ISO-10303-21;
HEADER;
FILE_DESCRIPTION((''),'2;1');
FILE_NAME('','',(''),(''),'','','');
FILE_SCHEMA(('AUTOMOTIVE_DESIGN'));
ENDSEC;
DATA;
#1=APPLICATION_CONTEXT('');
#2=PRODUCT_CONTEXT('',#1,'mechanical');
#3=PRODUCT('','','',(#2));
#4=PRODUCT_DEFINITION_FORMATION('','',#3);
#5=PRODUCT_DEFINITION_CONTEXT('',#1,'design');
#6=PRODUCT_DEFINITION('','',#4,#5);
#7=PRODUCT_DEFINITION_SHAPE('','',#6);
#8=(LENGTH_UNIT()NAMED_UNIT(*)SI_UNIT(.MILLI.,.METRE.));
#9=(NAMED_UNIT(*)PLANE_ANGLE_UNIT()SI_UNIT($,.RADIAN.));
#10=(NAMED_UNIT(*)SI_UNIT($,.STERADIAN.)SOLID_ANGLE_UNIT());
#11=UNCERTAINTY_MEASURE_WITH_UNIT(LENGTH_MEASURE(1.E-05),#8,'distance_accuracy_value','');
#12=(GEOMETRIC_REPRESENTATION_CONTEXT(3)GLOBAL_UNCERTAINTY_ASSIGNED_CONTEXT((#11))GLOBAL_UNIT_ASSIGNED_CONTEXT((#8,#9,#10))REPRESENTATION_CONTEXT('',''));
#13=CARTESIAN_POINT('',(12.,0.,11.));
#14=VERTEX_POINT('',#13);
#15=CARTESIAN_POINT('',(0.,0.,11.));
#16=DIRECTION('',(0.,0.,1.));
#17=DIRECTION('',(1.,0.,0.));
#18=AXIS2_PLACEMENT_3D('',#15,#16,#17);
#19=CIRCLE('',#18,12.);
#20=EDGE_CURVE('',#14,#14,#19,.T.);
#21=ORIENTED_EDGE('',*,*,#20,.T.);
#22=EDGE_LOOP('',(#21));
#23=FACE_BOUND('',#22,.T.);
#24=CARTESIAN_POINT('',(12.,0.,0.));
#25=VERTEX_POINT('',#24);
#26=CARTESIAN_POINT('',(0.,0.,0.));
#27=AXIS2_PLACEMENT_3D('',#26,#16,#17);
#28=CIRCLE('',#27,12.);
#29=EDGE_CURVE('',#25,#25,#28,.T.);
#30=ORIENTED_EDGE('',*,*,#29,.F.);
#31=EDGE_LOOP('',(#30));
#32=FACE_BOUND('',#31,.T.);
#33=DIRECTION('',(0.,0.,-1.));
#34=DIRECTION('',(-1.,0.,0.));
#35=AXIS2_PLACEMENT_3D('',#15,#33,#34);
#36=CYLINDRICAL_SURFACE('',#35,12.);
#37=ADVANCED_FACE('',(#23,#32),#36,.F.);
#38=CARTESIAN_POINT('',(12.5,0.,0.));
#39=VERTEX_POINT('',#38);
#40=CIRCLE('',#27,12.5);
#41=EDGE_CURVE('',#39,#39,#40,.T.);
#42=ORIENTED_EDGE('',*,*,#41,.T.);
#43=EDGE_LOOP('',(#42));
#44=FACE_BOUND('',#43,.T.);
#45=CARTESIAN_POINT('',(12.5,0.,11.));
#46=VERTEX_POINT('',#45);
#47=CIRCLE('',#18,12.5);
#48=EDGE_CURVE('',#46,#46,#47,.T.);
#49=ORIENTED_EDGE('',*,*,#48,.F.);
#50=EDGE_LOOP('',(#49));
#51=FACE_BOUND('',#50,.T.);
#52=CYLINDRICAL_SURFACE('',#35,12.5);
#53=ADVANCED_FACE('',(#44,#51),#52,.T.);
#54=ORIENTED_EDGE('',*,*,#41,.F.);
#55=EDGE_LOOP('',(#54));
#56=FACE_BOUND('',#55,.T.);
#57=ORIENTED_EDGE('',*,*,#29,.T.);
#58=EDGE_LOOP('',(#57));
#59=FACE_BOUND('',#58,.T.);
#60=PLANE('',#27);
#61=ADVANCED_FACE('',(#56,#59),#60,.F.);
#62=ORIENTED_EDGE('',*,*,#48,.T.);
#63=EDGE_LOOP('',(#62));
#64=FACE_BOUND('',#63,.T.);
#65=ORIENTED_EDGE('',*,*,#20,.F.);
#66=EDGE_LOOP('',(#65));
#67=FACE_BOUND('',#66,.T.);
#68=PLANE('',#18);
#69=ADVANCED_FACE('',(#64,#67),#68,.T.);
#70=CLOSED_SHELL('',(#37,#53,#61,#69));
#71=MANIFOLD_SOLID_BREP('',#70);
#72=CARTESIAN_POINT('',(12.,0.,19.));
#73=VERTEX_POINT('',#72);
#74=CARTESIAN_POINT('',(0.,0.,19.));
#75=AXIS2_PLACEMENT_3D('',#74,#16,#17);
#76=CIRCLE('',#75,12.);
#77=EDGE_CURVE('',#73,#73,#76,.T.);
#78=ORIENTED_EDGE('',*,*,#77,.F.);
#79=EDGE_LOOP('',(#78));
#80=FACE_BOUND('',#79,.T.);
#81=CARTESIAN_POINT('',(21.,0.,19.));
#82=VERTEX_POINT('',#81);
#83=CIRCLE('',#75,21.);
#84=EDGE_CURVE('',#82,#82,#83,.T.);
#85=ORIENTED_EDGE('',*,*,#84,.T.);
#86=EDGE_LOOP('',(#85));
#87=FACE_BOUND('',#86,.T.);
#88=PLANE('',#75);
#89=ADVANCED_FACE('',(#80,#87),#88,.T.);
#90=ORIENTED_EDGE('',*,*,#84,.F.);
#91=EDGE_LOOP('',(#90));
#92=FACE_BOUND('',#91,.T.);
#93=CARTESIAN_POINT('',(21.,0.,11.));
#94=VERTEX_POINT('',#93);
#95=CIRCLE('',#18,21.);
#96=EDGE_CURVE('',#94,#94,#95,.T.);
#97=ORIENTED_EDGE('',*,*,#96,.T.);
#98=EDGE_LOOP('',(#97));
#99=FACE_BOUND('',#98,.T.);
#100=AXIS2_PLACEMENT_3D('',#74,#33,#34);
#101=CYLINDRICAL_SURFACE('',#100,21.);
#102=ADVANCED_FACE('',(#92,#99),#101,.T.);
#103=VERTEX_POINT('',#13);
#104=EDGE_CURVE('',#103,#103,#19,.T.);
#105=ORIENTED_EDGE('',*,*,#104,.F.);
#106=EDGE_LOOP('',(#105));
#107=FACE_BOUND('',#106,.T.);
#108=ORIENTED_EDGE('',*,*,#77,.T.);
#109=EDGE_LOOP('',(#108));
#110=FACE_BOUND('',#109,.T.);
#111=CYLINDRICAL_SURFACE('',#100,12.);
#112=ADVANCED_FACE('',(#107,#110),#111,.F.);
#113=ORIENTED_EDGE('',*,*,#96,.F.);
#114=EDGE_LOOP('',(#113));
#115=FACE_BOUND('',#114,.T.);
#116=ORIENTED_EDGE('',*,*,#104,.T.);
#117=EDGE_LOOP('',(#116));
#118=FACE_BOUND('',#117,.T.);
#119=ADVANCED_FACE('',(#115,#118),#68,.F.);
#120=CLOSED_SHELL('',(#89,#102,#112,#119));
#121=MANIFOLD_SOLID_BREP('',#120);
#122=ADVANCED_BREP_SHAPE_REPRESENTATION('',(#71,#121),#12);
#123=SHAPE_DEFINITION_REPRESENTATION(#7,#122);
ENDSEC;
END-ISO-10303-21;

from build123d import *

# Parameters (mm, degrees)
SKETCH_2_R      = 12.5
SKETCH_2_R_2    = 12
EXTRUDE_1_DEPTH = 11
SKETCH_3_R      = 21
SKETCH_3_R_2    = 12
EXTRUDE_2_DEPTH = 8


with BuildPart() as part:
    # 草图2 → 凸台-拉伸1 (new body)
    with BuildSketch(Plane.XY):
        Circle(SKETCH_2_R)
        Circle(SKETCH_2_R_2, mode=Mode.SUBTRACT)
    extrude(amount=EXTRUDE_1_DEPTH)


with BuildPart() as body_2:
    # 草图3 → 凸台-拉伸2 (new body)
    with BuildSketch(Plane.XY.offset(11)):
        Circle(SKETCH_3_R)
        Circle(SKETCH_3_R_2, mode=Mode.SUBTRACT)
    extrude(amount=EXTRUDE_2_DEPTH)


solid = Compound([part.part, body_2.part])
